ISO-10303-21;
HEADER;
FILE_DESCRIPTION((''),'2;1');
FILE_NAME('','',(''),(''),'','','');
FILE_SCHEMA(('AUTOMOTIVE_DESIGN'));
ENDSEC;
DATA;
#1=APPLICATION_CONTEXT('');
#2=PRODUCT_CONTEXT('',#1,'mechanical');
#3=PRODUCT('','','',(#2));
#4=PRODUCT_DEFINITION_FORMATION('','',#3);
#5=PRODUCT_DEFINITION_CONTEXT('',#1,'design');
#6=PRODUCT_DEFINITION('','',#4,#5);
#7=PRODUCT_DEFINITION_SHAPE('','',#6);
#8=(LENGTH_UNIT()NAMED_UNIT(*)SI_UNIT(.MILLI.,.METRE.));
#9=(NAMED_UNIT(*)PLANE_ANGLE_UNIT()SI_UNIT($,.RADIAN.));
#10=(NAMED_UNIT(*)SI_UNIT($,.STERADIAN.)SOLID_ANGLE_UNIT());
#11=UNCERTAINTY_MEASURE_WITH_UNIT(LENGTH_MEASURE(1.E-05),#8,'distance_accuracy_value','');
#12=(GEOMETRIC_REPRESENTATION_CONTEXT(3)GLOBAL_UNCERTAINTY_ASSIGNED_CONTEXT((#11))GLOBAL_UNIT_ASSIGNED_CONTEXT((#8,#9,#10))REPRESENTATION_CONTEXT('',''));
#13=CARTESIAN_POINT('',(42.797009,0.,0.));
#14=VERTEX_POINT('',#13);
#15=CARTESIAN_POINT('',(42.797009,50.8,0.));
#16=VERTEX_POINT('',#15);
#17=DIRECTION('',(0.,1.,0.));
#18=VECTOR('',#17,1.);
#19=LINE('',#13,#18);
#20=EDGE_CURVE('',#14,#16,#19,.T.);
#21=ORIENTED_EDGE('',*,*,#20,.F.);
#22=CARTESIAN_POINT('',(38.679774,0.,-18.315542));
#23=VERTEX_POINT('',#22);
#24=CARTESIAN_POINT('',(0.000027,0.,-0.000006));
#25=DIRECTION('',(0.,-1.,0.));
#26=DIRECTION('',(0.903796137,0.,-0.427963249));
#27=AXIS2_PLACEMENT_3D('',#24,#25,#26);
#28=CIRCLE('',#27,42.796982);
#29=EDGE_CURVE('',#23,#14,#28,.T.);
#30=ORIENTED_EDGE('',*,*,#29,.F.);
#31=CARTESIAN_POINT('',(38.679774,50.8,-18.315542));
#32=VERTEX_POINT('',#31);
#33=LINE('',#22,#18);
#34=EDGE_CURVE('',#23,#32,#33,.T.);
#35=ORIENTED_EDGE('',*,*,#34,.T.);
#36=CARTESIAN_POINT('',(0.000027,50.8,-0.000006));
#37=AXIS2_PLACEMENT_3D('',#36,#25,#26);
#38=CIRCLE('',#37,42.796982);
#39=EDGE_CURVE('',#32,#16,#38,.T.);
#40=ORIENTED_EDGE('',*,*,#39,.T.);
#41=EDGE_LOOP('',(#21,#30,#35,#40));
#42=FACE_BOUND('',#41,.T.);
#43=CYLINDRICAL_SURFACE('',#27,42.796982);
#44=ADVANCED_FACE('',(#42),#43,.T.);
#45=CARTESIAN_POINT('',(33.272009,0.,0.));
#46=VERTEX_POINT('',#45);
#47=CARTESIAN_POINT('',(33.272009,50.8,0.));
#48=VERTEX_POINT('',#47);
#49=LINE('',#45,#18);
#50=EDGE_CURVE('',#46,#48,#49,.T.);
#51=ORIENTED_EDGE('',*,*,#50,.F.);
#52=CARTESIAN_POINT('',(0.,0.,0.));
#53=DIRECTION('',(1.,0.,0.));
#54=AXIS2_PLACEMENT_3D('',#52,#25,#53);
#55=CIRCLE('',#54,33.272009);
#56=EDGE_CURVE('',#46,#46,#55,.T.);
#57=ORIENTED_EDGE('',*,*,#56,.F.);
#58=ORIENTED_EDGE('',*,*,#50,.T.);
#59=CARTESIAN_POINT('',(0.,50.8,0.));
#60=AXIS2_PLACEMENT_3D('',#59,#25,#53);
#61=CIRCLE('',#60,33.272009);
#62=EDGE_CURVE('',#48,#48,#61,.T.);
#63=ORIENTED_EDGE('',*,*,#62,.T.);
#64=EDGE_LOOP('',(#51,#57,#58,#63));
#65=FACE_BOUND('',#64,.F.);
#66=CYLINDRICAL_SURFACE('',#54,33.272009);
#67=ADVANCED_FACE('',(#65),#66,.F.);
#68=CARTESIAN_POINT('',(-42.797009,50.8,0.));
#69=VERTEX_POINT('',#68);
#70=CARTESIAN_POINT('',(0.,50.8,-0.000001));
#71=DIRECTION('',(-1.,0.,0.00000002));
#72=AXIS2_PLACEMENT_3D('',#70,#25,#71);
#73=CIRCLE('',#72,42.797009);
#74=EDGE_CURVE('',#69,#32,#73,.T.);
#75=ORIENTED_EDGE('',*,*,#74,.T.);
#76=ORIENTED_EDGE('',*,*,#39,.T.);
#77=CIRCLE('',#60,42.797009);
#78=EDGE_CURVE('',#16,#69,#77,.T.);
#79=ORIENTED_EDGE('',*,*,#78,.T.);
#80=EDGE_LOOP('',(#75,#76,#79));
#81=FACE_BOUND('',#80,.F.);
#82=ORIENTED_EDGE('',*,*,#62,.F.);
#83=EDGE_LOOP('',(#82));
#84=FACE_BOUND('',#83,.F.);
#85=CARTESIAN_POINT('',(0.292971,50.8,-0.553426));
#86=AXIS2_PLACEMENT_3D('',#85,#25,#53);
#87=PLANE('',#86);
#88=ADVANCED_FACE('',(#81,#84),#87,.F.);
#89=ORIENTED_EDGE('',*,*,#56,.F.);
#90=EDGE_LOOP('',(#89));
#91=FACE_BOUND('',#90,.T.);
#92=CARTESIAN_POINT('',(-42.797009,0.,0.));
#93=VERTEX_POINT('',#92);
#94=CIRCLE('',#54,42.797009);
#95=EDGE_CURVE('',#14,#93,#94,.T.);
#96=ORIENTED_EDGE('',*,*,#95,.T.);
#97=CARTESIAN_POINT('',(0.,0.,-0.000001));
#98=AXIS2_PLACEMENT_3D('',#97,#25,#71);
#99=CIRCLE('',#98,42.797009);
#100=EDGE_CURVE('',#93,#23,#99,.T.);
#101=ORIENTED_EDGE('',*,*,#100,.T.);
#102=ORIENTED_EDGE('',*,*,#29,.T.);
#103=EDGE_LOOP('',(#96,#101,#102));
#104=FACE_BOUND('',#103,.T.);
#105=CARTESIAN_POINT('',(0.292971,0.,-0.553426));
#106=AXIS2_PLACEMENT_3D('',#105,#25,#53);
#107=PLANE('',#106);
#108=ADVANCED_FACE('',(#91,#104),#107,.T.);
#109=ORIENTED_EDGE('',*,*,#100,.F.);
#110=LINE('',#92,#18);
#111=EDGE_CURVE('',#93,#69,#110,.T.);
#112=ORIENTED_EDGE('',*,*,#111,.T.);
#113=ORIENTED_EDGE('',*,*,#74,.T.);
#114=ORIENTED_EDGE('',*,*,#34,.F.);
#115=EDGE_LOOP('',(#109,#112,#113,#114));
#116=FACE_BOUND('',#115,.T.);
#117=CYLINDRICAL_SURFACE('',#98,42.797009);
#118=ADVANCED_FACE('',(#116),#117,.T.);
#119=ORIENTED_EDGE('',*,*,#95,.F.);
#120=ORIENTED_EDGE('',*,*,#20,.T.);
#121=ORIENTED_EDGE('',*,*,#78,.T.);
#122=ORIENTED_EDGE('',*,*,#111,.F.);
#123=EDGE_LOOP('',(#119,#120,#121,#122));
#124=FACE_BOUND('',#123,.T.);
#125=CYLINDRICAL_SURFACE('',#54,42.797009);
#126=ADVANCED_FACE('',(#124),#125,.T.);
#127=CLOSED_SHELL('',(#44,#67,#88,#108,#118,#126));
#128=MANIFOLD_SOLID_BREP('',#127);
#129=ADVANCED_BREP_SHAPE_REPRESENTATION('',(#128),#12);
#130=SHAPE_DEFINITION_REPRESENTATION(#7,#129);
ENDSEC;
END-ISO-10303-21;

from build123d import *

# Parameters (mm, degrees)
F0_R     = 33.272009
F2_DEPTH = 50.8


with BuildPart() as f2:
    # F0 (on Front) → F2 (new body)
    with BuildSketch(Plane.XZ):
        with BuildLine():
            ThreePointArc((38.679774, -18.315542), (41.755016, -9.386303), (42.797009, 0))
            ThreePointArc((42.797009, 0), (0, 42.797009), (-42.797009, 0))
            ThreePointArc((-42.797009, 0), (-9.386303, -41.755016), (38.679774, -18.315542))
        make_face()
        Circle(F0_R, mode=Mode.SUBTRACT)
    extrude(amount=-F2_DEPTH)


solid = f2.part
